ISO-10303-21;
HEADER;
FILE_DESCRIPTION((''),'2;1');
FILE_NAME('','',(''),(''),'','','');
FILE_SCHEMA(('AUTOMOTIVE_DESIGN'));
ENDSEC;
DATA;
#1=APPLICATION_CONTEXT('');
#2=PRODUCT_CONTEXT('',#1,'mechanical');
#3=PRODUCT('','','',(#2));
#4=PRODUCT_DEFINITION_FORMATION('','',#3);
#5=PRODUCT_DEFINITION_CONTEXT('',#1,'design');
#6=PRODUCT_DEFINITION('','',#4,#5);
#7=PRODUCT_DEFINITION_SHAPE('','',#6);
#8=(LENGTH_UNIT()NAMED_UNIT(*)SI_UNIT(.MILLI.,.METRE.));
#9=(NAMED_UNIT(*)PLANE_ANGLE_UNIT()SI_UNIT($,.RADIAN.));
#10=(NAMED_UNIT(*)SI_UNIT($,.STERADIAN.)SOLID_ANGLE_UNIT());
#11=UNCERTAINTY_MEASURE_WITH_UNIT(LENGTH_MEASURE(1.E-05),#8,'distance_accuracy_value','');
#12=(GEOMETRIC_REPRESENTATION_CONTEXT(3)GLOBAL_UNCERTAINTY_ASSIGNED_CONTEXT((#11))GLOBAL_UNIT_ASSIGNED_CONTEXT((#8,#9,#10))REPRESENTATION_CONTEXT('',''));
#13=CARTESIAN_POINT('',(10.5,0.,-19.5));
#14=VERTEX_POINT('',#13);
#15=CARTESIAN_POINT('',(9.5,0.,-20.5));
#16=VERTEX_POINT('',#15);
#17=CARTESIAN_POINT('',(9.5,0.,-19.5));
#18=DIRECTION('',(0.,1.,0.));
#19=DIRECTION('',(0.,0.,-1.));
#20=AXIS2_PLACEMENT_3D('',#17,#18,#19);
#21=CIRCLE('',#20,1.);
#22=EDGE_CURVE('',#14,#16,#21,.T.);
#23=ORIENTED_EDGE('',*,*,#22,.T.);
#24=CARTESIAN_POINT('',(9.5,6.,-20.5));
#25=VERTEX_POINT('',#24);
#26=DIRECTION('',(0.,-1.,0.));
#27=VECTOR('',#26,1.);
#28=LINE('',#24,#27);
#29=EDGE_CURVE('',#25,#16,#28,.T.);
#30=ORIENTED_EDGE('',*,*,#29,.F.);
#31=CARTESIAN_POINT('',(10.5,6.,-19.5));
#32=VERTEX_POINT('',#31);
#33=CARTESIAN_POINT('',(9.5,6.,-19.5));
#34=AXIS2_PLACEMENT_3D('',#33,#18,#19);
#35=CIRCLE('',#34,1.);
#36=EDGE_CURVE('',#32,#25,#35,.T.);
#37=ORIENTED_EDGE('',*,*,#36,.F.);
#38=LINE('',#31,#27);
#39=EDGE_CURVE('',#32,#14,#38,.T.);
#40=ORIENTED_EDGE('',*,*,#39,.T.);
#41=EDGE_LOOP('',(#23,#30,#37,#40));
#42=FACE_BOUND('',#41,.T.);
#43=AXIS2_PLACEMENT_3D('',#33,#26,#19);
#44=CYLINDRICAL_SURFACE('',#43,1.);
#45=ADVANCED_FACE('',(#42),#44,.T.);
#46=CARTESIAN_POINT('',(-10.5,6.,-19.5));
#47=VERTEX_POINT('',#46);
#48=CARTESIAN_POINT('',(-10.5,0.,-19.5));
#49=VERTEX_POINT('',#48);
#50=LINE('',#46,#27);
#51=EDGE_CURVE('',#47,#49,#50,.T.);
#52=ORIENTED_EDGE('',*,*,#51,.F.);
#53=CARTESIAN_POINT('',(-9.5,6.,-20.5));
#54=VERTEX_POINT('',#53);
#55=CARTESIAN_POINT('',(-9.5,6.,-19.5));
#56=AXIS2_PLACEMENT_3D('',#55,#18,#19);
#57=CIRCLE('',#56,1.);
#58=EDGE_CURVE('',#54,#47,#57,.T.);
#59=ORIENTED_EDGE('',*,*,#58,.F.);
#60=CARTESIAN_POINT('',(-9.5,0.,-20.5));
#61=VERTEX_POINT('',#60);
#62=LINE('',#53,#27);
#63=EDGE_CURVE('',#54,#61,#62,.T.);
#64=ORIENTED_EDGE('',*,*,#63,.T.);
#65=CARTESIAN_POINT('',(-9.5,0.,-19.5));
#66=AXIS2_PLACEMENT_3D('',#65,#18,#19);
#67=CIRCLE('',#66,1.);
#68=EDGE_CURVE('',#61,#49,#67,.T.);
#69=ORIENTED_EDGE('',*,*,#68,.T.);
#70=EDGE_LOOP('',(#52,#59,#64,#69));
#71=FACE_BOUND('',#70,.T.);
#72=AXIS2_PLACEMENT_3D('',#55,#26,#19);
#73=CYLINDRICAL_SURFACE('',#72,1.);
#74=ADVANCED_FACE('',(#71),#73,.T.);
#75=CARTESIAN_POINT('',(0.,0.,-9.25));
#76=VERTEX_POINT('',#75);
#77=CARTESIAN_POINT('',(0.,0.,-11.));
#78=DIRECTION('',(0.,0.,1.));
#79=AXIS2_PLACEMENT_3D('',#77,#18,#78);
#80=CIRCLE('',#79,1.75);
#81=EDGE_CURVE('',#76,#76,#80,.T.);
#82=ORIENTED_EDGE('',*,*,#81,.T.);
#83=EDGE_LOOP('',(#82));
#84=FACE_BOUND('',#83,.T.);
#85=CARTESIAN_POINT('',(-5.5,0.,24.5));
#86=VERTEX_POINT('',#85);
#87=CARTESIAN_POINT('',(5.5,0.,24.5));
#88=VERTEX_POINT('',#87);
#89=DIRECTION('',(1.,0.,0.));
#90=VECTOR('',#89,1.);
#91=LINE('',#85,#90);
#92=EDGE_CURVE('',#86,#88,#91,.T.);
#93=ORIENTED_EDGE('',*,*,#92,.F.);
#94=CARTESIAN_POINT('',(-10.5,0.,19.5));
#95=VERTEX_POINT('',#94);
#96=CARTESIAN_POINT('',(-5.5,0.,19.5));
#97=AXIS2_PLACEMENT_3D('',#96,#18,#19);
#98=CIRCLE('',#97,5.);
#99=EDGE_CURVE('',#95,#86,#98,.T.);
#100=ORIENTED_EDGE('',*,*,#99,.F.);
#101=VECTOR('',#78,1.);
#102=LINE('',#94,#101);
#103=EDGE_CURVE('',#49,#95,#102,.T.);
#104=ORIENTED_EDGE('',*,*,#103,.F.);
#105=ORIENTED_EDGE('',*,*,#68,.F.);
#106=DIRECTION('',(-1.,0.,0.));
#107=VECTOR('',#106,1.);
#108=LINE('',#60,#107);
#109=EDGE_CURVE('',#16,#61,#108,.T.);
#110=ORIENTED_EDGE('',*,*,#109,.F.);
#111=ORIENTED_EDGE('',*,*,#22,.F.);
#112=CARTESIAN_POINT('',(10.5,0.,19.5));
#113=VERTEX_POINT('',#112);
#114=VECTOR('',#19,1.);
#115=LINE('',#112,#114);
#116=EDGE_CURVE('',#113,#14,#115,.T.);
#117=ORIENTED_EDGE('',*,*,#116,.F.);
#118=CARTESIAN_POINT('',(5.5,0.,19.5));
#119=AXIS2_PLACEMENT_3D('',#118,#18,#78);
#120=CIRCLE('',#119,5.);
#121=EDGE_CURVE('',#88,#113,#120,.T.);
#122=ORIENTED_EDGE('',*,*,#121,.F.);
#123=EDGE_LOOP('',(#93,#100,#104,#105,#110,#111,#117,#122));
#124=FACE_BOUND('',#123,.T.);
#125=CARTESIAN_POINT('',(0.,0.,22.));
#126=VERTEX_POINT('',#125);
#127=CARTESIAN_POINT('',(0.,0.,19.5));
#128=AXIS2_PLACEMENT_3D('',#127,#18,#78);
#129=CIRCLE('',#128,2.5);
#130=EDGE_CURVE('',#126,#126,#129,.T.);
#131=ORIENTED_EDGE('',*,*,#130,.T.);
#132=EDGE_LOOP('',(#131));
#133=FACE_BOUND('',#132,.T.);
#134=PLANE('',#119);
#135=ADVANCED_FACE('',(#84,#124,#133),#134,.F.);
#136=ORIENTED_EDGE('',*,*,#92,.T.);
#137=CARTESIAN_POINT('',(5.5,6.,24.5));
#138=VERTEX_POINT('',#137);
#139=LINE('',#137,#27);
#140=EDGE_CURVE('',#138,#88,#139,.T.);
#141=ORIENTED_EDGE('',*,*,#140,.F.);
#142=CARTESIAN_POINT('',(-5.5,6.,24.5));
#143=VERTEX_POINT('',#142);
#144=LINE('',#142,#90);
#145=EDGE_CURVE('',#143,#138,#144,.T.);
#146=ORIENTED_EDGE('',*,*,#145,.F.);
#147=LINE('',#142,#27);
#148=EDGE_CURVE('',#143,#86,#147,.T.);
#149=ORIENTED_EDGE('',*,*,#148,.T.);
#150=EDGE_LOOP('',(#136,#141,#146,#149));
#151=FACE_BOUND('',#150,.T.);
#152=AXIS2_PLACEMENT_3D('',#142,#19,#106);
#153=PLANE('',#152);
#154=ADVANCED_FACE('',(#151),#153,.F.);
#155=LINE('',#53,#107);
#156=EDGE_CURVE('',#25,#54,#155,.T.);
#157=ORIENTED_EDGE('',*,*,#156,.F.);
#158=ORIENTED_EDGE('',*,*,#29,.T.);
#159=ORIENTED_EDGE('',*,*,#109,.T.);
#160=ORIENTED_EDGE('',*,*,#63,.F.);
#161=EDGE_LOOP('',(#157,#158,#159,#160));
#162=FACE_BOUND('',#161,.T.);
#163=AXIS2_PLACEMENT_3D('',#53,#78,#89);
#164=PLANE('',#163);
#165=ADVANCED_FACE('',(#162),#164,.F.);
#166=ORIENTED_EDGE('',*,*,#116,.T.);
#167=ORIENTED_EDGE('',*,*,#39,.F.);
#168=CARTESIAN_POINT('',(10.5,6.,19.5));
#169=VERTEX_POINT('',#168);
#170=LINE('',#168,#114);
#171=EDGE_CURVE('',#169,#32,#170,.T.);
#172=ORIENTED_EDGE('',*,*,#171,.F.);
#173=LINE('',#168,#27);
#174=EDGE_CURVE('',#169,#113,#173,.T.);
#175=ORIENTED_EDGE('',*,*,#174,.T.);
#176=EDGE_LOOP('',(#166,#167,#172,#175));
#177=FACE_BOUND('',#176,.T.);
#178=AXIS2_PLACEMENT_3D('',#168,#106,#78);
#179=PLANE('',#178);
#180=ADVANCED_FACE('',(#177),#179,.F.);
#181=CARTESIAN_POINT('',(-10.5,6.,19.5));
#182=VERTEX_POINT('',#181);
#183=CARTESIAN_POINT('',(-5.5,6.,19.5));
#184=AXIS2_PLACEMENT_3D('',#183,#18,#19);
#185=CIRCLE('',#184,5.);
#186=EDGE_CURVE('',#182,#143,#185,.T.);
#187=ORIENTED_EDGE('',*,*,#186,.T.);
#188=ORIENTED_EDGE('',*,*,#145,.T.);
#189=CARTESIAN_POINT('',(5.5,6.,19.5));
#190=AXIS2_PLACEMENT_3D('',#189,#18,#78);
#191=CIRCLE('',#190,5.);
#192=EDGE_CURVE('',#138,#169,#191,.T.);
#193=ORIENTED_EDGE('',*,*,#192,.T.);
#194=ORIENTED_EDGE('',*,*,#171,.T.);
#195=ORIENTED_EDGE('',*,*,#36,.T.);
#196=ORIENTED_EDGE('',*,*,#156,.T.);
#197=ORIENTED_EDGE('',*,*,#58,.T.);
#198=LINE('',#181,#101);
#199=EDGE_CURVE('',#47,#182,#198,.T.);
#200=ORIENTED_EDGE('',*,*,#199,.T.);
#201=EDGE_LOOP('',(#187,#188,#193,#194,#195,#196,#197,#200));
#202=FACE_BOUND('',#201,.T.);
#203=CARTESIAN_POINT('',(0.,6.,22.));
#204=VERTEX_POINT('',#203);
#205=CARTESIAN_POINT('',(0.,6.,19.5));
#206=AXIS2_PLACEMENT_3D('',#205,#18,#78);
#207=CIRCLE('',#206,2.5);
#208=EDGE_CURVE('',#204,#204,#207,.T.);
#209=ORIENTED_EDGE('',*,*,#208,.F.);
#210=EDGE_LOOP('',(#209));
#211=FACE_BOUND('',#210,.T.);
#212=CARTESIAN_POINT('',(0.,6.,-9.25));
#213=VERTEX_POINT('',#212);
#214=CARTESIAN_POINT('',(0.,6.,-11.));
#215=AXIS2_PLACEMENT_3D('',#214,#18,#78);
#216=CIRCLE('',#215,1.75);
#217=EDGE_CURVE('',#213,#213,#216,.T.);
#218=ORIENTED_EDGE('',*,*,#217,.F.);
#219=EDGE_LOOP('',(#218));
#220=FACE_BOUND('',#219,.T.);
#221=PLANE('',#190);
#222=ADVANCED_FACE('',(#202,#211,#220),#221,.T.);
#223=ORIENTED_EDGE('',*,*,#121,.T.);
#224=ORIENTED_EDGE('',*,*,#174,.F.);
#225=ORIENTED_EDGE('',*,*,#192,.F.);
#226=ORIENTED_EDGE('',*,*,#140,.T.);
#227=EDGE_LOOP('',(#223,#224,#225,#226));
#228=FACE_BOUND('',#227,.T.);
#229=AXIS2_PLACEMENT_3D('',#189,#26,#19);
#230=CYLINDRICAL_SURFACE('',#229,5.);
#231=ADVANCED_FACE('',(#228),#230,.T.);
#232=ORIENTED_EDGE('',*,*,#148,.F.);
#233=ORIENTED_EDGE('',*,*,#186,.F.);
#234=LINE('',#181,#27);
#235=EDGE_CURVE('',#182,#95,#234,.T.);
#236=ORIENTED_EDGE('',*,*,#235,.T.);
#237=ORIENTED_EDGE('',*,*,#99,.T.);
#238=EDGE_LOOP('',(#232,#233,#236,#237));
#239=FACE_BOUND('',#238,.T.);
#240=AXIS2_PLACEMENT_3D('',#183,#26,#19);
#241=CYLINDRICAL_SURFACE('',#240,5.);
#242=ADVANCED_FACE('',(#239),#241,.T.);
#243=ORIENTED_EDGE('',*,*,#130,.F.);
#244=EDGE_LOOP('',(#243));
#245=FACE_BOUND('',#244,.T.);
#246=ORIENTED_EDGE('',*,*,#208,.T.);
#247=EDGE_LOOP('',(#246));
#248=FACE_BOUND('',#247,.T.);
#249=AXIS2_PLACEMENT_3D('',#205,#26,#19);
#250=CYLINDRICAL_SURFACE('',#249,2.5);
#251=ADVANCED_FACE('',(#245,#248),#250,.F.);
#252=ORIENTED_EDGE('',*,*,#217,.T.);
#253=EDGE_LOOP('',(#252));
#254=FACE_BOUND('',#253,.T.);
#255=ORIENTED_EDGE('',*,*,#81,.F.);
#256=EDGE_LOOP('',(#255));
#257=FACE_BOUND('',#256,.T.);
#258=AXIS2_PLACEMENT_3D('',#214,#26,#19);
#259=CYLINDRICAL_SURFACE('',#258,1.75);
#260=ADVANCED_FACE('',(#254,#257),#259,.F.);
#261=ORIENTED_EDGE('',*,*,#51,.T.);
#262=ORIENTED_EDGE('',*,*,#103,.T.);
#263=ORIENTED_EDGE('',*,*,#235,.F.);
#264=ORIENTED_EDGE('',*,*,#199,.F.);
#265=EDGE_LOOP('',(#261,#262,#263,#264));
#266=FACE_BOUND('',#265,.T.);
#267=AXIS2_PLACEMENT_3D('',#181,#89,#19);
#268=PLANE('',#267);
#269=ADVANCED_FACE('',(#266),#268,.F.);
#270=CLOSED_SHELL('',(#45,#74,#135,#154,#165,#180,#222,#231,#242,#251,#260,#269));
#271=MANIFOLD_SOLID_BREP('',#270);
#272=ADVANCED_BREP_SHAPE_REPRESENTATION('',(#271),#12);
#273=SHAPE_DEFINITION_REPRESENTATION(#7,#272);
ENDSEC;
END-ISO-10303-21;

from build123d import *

# Parameters (mm, degrees)
SKETCH1_R           = 1.75
SKETCH1_R_2         = 2.5
BOSS_EXTRUDE1_DEPTH = 6


with BuildPart() as part:
    # Sketch1 → Boss-Extrude1 (new body)
    with BuildSketch(Plane(origin=(0, 0, 0), x_dir=(1, 0, 0), z_dir=(0, 1, 0))):
        with BuildLine():
            Line((-5.5, -24.5), (5.5, -24.5))
            ThreePointArc((5.5, -24.5), (9.035533906, -23.035533906), (10.5, -19.5))
            Line((10.5, -19.5), (10.5, 19.5))
            ThreePointArc((10.5, 19.5), (10.207106781, 20.207106781), (9.5, 20.5))
            Line((9.5, 20.5), (-9.5, 20.5))
            ThreePointArc((-9.5, 20.5), (-10.207106781, 20.207106781), (-10.5, 19.5))
            Line((-10.5, 19.5), (-10.5, -19.5))
            ThreePointArc((-10.5, -19.5), (-9.035533906, -23.035533906), (-5.5, -24.5))
        make_face()
        with Locations(Location((0, 11, 0), (0, 0, 270))):
            Circle(SKETCH1_R, mode=Mode.SUBTRACT)
        with Locations(Location((0, -19.5, 0), (0, 0, 270))):
            Circle(SKETCH1_R_2, mode=Mode.SUBTRACT)
    extrude(amount=BOSS_EXTRUDE1_DEPTH)


solid = part.part
